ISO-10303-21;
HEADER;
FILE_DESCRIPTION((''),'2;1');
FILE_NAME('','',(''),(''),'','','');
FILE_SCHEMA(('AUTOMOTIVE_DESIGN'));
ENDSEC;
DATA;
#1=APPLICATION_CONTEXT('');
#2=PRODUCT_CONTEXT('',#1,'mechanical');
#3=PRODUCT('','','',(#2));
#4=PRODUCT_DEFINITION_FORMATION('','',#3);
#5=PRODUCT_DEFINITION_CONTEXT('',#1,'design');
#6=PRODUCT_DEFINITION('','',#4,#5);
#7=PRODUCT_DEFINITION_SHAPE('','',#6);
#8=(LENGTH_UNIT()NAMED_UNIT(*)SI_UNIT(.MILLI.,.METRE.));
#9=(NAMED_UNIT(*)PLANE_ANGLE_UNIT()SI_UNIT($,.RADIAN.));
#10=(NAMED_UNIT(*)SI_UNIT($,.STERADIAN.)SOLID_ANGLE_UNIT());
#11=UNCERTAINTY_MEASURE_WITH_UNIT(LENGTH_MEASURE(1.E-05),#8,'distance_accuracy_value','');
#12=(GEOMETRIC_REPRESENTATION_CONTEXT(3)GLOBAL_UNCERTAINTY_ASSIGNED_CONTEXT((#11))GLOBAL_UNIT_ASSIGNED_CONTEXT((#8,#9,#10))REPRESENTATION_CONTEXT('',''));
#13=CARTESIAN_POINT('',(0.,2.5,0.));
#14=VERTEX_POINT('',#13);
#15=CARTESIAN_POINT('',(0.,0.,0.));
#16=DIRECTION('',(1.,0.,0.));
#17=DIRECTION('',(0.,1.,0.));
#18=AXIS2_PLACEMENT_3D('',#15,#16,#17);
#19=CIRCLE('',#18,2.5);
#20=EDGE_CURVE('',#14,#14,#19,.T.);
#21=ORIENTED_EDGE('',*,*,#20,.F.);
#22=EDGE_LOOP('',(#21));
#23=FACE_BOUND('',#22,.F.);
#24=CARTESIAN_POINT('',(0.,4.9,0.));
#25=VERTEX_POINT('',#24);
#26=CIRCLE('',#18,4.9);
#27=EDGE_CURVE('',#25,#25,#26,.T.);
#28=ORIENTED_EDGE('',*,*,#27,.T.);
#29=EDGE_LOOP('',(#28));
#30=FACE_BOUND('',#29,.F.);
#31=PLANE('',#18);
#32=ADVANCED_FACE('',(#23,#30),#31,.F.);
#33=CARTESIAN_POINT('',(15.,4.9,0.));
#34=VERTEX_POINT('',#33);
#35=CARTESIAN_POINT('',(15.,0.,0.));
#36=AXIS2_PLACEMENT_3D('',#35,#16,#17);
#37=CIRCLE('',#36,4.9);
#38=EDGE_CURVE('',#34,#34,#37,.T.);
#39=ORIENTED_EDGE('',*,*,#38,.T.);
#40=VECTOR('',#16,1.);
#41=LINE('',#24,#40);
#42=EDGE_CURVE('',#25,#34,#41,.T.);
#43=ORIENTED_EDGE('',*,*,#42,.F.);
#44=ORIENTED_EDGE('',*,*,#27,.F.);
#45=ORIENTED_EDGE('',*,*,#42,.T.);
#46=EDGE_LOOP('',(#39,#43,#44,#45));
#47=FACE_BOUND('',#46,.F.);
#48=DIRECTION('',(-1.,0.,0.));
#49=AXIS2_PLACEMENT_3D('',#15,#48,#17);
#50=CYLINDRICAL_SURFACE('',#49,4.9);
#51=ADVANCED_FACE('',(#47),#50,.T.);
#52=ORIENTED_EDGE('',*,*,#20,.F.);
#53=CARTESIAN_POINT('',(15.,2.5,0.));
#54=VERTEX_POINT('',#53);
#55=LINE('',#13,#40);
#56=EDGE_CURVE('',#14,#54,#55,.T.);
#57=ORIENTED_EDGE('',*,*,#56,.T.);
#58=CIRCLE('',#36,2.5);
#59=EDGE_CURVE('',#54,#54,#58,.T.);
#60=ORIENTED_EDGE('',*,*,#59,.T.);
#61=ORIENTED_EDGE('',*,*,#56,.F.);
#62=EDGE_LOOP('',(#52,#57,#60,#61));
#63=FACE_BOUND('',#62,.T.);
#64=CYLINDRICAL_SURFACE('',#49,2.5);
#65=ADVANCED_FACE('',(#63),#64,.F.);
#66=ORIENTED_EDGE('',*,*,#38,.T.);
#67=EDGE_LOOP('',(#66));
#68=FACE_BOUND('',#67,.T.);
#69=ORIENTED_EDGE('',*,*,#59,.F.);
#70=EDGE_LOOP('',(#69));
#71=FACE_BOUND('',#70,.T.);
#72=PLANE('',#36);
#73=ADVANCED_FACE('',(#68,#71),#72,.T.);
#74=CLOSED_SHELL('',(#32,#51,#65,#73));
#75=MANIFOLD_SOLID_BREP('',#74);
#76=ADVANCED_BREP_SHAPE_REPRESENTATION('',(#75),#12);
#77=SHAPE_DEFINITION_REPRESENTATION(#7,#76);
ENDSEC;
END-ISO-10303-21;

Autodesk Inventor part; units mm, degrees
ref_plane "YZ Plane" through (0, 0, 0) normal (1, 0, 0) x (0, 1, 0)
ref_plane "XZ Plane" through (0, 0, 0) normal (0, 1, 0) x (-1, 0, 0)
ref_plane "XY Plane" through (0, 0, 0) normal (0, 0, 1) x (1, 0, 0)
sketch "Эскиз1" plane through (0, 0, 0) normal (1, 0, 0) x (0, 1, 0)
  circle A0 centre (0, 0) radius 2.5
  circle A1 centre (0, 0) radius 4.9
  dimension "d0" = 5
  dimension "d1" = 9.8
extrude "Выдавливание1" add sketch "Эскиз1" along normal blind 15
properties part number "втулка славы"
